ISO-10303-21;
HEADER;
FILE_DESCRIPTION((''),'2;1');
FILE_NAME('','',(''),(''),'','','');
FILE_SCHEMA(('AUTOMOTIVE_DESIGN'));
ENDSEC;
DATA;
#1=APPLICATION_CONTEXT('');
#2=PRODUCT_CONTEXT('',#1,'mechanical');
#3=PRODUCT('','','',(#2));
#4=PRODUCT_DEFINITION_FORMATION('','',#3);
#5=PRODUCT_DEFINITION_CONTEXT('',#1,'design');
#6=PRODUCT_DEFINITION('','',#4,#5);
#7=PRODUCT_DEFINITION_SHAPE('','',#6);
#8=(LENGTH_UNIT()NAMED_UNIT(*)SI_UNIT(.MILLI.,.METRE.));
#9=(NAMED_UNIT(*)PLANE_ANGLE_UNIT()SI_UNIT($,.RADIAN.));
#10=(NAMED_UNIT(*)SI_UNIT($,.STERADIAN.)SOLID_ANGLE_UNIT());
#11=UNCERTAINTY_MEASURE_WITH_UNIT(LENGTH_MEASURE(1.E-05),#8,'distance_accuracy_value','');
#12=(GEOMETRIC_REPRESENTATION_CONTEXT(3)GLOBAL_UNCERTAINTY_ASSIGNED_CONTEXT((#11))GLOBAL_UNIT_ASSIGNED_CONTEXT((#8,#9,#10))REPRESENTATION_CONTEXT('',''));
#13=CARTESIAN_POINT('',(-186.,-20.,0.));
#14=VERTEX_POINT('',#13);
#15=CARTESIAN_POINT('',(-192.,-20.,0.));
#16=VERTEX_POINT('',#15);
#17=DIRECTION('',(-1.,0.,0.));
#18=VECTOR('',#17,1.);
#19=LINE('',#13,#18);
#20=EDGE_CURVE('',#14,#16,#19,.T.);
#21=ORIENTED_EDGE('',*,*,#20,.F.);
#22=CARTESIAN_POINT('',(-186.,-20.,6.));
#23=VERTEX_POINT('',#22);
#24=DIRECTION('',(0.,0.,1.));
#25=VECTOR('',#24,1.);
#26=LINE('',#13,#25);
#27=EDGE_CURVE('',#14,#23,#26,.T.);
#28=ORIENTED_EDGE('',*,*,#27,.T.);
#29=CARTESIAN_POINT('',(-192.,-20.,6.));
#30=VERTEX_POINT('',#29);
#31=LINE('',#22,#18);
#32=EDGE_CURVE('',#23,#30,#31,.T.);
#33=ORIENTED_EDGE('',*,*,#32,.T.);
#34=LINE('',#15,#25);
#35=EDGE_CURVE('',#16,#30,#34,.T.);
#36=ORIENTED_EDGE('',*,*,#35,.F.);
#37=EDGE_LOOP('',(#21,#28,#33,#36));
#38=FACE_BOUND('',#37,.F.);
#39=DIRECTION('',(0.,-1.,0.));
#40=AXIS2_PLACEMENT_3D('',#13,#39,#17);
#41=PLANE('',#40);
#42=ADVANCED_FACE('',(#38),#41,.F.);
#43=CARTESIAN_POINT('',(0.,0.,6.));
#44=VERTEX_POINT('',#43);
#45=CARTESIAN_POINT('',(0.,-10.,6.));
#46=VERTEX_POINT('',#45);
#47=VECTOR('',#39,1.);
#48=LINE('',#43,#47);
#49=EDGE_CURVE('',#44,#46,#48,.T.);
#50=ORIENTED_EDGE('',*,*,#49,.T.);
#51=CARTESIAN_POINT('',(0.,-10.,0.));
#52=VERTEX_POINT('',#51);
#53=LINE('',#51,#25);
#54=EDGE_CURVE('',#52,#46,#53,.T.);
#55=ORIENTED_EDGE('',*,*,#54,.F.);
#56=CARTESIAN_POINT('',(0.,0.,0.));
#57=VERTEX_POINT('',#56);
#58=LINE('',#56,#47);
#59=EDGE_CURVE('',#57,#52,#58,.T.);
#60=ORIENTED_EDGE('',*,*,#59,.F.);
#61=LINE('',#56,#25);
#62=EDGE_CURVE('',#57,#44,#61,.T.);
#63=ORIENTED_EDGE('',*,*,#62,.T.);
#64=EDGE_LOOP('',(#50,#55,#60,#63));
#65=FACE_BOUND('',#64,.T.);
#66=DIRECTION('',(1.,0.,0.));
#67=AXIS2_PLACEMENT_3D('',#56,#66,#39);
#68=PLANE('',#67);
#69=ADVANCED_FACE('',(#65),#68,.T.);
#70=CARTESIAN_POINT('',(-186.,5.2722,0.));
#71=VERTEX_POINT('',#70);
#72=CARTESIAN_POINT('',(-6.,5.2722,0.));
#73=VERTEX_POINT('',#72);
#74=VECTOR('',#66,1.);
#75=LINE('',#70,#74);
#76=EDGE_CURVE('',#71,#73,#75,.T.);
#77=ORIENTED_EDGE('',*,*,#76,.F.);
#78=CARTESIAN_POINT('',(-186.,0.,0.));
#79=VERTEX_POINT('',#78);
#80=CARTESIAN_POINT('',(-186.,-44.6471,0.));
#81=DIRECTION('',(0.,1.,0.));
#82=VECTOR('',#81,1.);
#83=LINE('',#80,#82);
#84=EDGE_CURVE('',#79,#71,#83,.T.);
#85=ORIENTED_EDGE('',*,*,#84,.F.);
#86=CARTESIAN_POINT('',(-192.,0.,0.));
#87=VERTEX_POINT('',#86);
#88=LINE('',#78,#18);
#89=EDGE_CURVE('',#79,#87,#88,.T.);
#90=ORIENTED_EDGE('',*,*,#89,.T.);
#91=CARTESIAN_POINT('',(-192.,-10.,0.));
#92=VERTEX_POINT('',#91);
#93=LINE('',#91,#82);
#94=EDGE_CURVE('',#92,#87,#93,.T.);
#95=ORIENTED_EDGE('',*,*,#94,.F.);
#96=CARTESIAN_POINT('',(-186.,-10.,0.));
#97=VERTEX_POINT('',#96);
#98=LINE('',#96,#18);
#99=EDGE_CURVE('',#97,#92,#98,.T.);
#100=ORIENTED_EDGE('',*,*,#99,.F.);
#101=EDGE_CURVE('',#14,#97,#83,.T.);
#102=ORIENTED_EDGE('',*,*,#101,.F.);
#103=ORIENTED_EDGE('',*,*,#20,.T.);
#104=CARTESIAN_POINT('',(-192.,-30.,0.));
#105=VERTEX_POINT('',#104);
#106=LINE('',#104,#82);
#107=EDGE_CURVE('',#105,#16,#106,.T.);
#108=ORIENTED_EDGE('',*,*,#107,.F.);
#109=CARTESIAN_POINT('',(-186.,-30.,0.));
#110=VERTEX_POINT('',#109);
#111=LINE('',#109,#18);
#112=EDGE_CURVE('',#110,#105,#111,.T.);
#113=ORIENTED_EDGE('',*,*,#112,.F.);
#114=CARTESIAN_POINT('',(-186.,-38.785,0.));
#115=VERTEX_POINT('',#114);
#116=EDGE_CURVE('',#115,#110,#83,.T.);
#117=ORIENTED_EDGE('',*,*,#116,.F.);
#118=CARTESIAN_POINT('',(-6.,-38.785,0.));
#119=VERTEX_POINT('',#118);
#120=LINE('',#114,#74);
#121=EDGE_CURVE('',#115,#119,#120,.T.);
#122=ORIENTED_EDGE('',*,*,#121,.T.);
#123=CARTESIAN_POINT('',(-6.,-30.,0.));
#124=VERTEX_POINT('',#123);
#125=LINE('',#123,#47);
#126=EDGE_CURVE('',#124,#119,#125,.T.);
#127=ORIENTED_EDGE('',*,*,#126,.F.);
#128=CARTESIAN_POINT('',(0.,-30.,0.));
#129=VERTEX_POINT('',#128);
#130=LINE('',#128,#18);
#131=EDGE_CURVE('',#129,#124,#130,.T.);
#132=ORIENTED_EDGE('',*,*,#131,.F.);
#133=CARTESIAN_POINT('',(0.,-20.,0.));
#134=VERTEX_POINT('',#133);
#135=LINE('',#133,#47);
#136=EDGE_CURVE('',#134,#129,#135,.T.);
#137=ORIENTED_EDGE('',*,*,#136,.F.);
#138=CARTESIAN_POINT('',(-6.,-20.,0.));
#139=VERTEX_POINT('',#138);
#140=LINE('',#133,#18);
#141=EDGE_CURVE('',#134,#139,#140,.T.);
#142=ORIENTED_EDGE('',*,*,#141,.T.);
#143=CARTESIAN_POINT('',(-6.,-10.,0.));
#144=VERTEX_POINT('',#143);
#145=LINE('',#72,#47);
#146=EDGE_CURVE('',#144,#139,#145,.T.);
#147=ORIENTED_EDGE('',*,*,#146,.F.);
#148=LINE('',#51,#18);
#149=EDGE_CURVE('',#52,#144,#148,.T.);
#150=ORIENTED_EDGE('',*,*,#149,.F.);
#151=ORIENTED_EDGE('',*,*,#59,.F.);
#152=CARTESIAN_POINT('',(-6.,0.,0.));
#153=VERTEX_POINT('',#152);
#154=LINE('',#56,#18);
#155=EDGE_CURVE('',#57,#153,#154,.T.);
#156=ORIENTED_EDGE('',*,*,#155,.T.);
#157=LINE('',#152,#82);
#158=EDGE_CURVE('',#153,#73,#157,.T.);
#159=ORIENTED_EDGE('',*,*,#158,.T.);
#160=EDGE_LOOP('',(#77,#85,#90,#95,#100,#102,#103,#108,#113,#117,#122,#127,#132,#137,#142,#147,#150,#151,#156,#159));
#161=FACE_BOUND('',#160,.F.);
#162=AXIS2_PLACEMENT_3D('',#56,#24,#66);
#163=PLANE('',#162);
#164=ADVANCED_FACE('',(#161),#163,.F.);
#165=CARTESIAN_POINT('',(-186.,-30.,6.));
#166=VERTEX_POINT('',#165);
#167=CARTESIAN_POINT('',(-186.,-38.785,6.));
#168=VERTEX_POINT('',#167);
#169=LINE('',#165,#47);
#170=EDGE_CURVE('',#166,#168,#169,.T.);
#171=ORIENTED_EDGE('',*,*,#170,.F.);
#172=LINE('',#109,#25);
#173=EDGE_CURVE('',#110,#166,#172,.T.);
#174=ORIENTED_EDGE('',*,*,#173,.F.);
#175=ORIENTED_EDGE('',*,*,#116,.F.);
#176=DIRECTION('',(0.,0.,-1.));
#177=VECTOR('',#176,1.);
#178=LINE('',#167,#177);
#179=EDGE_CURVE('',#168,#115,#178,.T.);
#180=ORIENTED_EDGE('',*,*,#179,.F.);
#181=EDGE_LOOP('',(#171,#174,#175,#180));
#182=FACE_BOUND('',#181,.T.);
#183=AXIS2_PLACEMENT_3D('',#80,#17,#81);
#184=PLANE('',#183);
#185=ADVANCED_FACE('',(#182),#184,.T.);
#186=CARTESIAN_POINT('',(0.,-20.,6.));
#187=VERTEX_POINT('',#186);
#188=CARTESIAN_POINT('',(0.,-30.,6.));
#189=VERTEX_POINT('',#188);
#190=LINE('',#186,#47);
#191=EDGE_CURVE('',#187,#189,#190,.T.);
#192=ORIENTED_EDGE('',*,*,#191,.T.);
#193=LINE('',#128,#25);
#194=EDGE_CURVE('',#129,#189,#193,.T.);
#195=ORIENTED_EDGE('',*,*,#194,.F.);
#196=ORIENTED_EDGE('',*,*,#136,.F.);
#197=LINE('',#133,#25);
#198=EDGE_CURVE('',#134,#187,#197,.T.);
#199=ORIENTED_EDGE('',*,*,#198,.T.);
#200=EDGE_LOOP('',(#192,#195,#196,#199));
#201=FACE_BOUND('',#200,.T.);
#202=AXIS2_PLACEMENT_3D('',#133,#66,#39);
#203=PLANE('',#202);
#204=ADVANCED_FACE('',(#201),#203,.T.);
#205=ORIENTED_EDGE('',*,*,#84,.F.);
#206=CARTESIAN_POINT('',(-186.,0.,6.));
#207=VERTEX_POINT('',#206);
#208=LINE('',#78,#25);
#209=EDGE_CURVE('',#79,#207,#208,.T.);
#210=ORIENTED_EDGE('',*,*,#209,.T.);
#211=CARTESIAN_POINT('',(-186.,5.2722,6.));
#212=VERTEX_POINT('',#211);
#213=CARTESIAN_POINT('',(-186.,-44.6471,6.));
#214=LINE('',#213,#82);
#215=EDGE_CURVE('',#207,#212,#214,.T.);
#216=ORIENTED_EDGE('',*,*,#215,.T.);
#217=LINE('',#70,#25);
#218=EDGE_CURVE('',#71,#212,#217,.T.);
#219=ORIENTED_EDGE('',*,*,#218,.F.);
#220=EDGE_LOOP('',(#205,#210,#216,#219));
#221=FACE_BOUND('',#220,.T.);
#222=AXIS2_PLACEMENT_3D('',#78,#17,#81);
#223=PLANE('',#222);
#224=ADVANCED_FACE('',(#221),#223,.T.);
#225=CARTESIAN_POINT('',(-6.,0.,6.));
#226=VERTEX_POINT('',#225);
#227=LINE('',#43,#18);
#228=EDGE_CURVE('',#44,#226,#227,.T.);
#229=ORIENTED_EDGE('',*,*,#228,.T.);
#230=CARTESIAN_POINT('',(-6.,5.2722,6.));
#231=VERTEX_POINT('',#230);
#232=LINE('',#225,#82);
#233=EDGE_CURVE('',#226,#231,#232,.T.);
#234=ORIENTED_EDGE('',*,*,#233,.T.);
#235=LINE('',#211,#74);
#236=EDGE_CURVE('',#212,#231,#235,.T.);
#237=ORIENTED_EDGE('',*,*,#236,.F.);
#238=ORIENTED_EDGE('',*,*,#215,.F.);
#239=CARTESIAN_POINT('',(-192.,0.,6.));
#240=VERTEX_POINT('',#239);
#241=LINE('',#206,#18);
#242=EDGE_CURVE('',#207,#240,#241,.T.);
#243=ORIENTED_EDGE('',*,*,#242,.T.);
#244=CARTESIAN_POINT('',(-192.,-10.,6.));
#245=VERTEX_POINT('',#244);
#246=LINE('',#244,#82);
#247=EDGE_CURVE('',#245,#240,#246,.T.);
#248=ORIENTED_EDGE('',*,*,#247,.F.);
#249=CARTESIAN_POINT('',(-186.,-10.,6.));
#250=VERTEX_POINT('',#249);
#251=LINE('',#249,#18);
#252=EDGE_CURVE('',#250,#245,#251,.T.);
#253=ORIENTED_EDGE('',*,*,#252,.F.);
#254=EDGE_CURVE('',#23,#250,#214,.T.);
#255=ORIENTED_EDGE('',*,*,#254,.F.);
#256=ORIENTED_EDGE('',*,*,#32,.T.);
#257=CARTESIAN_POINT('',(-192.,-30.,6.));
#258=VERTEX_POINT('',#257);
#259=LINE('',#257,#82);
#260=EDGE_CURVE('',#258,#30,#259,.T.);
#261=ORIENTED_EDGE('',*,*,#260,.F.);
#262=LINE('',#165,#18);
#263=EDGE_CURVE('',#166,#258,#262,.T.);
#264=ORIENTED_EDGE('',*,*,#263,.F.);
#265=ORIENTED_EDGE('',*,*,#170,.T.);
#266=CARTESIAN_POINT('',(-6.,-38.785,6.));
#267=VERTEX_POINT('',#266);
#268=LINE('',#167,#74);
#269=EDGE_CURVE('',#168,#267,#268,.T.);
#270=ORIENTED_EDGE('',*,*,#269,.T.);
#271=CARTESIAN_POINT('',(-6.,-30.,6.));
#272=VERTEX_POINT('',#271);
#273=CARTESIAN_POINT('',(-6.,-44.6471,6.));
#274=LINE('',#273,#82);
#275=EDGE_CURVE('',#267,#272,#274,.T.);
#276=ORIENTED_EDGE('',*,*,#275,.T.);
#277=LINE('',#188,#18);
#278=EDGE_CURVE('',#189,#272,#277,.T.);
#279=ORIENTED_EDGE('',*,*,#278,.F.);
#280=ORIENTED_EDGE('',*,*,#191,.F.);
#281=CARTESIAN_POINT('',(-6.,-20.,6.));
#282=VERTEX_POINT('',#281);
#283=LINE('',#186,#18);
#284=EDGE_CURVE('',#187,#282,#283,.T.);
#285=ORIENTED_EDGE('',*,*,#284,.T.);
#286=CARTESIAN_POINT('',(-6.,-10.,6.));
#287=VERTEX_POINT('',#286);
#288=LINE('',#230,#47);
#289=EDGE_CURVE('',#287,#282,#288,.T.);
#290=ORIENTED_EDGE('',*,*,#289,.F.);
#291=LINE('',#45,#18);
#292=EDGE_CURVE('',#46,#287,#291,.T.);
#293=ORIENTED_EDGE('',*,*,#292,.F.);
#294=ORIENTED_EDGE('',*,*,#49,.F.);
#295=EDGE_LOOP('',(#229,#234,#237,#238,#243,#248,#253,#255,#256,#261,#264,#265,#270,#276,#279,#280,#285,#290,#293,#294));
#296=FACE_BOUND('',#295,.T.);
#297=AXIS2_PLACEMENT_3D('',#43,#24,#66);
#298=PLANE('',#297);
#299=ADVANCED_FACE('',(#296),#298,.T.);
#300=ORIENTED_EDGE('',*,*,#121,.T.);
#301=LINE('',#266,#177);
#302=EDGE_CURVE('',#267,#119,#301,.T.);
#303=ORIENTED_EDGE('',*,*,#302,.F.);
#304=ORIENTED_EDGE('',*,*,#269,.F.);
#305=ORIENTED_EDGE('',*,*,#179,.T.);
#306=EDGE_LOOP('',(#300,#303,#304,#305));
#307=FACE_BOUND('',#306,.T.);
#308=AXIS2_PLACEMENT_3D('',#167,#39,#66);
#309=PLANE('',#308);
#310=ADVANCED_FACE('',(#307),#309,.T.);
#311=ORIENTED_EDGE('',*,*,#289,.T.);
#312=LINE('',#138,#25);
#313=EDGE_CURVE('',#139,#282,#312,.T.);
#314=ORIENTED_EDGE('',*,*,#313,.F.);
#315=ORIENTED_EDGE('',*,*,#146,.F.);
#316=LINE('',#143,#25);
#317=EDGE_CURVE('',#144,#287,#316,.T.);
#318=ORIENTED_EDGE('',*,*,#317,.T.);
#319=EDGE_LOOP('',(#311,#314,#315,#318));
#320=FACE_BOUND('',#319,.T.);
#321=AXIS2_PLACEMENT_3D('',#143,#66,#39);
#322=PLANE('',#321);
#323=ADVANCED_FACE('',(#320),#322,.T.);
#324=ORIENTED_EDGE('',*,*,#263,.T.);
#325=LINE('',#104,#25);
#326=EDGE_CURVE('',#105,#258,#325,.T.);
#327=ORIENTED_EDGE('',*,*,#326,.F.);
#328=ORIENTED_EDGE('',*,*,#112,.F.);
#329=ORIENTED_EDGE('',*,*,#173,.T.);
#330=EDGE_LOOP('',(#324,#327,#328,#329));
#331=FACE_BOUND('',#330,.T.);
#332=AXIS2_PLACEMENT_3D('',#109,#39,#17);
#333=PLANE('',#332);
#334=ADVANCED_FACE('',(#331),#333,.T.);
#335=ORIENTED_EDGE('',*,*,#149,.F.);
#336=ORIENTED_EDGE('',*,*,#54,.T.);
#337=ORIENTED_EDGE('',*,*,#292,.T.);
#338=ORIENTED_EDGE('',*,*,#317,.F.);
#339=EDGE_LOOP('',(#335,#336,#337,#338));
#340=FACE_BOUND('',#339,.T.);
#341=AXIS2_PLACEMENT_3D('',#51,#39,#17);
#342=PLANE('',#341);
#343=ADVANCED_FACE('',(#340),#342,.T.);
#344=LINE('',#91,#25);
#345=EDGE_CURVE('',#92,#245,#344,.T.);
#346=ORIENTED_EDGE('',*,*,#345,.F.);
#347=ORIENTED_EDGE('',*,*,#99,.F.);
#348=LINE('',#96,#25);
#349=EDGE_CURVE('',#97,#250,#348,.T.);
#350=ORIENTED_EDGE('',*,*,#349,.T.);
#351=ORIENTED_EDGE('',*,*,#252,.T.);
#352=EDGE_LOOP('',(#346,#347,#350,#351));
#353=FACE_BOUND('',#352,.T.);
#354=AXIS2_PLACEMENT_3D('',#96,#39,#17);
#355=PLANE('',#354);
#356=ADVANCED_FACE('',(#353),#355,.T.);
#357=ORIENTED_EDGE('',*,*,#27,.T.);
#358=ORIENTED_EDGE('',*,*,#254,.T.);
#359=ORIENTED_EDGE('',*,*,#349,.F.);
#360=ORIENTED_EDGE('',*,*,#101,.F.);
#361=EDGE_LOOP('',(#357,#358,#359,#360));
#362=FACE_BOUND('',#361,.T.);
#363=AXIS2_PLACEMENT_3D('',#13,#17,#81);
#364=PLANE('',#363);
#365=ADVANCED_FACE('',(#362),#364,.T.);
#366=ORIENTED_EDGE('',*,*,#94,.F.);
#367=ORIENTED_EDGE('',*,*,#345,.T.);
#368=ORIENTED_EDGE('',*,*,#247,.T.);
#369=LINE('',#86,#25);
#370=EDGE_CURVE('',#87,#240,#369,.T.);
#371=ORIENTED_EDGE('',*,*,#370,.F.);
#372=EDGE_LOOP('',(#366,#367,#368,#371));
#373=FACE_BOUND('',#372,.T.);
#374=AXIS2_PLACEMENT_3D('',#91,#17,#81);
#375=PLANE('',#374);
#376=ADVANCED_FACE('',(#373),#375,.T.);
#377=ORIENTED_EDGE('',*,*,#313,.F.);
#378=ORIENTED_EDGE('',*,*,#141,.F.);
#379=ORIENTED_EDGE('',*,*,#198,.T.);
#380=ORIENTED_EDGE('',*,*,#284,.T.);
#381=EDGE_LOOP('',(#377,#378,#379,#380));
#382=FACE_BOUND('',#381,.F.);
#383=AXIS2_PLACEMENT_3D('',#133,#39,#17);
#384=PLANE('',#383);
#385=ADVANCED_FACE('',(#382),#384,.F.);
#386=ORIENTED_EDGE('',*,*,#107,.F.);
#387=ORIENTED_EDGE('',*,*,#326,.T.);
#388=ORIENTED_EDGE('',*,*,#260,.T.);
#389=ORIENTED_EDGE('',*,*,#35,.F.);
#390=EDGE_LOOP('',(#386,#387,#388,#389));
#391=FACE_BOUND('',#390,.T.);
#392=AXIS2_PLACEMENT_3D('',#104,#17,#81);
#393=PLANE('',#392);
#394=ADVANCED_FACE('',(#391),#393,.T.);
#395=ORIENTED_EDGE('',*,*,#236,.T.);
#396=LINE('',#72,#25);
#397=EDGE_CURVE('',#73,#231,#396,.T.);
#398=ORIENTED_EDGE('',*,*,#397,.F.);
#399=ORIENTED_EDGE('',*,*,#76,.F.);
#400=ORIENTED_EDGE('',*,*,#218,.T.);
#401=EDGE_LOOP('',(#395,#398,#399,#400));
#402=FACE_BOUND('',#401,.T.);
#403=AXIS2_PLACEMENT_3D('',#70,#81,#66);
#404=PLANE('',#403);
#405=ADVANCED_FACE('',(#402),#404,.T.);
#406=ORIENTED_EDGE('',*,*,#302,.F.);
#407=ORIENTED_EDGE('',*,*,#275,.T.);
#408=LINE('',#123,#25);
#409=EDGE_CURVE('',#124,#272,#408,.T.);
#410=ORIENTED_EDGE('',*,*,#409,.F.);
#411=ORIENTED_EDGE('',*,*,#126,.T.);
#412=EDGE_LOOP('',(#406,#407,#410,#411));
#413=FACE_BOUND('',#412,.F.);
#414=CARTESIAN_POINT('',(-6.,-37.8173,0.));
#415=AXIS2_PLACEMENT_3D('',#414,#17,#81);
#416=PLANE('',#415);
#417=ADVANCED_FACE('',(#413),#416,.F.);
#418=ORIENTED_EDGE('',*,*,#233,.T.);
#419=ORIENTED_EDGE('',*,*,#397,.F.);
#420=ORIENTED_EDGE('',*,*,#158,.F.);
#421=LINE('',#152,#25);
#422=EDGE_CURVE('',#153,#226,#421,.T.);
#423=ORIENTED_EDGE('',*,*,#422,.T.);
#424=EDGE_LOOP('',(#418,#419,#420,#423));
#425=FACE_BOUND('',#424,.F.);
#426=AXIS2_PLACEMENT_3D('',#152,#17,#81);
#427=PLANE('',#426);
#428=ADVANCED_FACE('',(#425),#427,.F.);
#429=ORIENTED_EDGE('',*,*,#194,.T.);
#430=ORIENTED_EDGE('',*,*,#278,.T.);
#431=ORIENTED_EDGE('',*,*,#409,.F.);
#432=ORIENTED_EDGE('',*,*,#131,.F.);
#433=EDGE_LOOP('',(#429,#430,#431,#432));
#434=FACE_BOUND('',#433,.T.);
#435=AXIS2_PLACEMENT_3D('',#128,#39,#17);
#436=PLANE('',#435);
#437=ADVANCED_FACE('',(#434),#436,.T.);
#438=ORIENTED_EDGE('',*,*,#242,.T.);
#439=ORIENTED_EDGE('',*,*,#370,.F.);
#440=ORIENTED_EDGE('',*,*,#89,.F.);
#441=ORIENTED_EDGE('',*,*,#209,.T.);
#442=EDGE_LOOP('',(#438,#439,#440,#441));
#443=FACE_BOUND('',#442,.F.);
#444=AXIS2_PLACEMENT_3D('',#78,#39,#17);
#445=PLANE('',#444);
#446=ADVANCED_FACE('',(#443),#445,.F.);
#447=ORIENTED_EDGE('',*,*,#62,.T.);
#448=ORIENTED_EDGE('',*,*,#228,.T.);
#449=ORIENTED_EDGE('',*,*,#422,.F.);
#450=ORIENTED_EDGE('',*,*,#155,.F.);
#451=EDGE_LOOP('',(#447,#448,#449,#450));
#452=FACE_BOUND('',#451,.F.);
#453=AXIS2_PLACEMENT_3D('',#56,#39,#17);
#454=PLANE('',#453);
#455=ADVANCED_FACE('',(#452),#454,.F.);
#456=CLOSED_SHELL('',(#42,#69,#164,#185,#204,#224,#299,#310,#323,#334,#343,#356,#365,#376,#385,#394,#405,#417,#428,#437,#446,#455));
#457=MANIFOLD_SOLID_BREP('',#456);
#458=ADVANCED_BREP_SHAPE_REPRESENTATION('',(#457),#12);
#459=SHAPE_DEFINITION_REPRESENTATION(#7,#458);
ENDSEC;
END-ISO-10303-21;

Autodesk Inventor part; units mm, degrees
ref_plane "YZ Plane" through (0, 0, 0) normal (1, 0, 0) x (0, 1, 0)
ref_plane "XZ Plane" through (0, 0, 0) normal (0, 1, 0) x (-1, 0, 0)
ref_plane "XY Plane" through (0, 0, 0) normal (0, 0, 1) x (1, 0, 0)
sketch "Эскиз1" plane through (0, 0, 0) normal (0, 0, 1) x (1, 0, 0)
  line L0 (0, 0) -> (0, -10) projected
  line L1 (0, 0) -> (-6, 0) projected
  line L2 (-6, -10) -> (-6, 0) projected
  line L3 (0, -10) -> (-6, -10) projected
  line L4 (0, -20) -> (0, -30) projected
  line L5 (0, -20) -> (-6, -20) projected
  line L6 (-6, -30) -> (-6, -20) projected
  line L7 (0, -30) -> (-6, -30) projected
  line L8 (0, -37.8173) -> (0, -44.6471) projected
  line L9 (0, -37.8173) -> (-6, -37.8173) projected
  line L10 (-6, -44.6471) -> (-6, -37.8173) projected
  line L11 (0, -44.6471) -> (-6, -44.6471) projected
  line L12 (-6, 0) -> (-6, 5.2722) projected
  line L13 (-6, -38.785) -> (-6, -30) projected
  line L14 (-186, 0) -> (-186, -10) projected
  line L15 (-186, 0) -> (-192, 0) projected
  line L16 (-192, -10) -> (-192, 0) projected
  line L17 (-186, -10) -> (-192, -10) projected
  line L18 (-186, -20) -> (-186, -30) projected
  line L19 (-186, -20) -> (-192, -20) projected
  line L20 (-192, -30) -> (-192, -20) projected
  line L21 (-186, -30) -> (-192, -30) projected
  line L22 (-186, -30) -> (-186, -38.785) projected
  line L23 (-186, 9.4324) -> (-186, 5.2722) projected
  line L24 (-6, -44.6471) -> (-186, -44.6471)
  line L25 (-186, -44.6471) -> (-186, 5.2722)
  line L26 (-186, 5.2722) -> (-6, 5.2722)
  line L27 (-6, 5.2722) -> (-6, -44.6471)
extrude "Выдавливание1" add sketch "Эскиз1" along normal blind 6 contours L0 L3 L2 L1 | L2 L27 L6 L13 L10 L24 L25 L22 L18 L14 L26 L12 | L5 L4 L7 L6 | L14 L17 L16 L15 | L18 L21 L20 L19
sketch "Эскиз3" plane through (0, 0, 6) normal (0, 0, 1) x (1, 0, 0)
  line L0 (-186, 0) -> (-192, 0) projected
  line L1 (-192, 0) -> (-192, -10) projected
  line L2 (-192, -10) -> (-186, -10) projected
  line L3 (-186, -10) -> (-186, -20) projected
  line L4 (-186, -20) -> (-192, -20) projected
  line L5 (-192, -20) -> (-192, -30) projected
  line L6 (-192, -30) -> (-186, -30) projected
  line L7 (-186, -30) -> (-186, -44.6471) projected
  line L8 (-186, -44.6471) -> (-6, -44.6471) projected
  line L9 (-6, -44.6471) -> (-6, -30) projected
  line L10 (-6, -30) -> (0, -30) projected
  line L11 (0, -30) -> (0, -20) projected
  line L12 (0, -20) -> (-6, -20) projected
  line L13 (-6, -20) -> (-6, -10) projected
  line L14 (-6, -10) -> (0, -10) projected
  line L15 (0, -10) -> (0, 0) projected
  line L16 (0, 0) -> (-6, 0) projected
  line L17 (-6, 0) -> (-6, 5.2722) projected
  line L18 (-6, 5.2722) -> (-186, 5.2722) projected
  line L19 (-186, 5.2722) -> (-186, 0) projected
  line L20 (-6, -38.785) -> (0, -38.785) projected
  line L21 (-192, -38.785) -> (-186, -38.785) projected
  line L22 (-186, -44.6471) -> (-6, -44.6471) projected
  line L23 (-6, -44.6471) -> (-186, -44.6471)
  line L24 (-186, -44.6471) -> (-186, -38.785)
  line L25 (-186, -38.785) -> (-6, -38.785)
  line L26 (-6, -38.785) -> (-6, -44.6471)
extrude "Выдавливание2" cut sketch "Эскиз3" against normal blind 6 contours L25 L9 L8 L7
properties part number "мальенькое дно 2"
